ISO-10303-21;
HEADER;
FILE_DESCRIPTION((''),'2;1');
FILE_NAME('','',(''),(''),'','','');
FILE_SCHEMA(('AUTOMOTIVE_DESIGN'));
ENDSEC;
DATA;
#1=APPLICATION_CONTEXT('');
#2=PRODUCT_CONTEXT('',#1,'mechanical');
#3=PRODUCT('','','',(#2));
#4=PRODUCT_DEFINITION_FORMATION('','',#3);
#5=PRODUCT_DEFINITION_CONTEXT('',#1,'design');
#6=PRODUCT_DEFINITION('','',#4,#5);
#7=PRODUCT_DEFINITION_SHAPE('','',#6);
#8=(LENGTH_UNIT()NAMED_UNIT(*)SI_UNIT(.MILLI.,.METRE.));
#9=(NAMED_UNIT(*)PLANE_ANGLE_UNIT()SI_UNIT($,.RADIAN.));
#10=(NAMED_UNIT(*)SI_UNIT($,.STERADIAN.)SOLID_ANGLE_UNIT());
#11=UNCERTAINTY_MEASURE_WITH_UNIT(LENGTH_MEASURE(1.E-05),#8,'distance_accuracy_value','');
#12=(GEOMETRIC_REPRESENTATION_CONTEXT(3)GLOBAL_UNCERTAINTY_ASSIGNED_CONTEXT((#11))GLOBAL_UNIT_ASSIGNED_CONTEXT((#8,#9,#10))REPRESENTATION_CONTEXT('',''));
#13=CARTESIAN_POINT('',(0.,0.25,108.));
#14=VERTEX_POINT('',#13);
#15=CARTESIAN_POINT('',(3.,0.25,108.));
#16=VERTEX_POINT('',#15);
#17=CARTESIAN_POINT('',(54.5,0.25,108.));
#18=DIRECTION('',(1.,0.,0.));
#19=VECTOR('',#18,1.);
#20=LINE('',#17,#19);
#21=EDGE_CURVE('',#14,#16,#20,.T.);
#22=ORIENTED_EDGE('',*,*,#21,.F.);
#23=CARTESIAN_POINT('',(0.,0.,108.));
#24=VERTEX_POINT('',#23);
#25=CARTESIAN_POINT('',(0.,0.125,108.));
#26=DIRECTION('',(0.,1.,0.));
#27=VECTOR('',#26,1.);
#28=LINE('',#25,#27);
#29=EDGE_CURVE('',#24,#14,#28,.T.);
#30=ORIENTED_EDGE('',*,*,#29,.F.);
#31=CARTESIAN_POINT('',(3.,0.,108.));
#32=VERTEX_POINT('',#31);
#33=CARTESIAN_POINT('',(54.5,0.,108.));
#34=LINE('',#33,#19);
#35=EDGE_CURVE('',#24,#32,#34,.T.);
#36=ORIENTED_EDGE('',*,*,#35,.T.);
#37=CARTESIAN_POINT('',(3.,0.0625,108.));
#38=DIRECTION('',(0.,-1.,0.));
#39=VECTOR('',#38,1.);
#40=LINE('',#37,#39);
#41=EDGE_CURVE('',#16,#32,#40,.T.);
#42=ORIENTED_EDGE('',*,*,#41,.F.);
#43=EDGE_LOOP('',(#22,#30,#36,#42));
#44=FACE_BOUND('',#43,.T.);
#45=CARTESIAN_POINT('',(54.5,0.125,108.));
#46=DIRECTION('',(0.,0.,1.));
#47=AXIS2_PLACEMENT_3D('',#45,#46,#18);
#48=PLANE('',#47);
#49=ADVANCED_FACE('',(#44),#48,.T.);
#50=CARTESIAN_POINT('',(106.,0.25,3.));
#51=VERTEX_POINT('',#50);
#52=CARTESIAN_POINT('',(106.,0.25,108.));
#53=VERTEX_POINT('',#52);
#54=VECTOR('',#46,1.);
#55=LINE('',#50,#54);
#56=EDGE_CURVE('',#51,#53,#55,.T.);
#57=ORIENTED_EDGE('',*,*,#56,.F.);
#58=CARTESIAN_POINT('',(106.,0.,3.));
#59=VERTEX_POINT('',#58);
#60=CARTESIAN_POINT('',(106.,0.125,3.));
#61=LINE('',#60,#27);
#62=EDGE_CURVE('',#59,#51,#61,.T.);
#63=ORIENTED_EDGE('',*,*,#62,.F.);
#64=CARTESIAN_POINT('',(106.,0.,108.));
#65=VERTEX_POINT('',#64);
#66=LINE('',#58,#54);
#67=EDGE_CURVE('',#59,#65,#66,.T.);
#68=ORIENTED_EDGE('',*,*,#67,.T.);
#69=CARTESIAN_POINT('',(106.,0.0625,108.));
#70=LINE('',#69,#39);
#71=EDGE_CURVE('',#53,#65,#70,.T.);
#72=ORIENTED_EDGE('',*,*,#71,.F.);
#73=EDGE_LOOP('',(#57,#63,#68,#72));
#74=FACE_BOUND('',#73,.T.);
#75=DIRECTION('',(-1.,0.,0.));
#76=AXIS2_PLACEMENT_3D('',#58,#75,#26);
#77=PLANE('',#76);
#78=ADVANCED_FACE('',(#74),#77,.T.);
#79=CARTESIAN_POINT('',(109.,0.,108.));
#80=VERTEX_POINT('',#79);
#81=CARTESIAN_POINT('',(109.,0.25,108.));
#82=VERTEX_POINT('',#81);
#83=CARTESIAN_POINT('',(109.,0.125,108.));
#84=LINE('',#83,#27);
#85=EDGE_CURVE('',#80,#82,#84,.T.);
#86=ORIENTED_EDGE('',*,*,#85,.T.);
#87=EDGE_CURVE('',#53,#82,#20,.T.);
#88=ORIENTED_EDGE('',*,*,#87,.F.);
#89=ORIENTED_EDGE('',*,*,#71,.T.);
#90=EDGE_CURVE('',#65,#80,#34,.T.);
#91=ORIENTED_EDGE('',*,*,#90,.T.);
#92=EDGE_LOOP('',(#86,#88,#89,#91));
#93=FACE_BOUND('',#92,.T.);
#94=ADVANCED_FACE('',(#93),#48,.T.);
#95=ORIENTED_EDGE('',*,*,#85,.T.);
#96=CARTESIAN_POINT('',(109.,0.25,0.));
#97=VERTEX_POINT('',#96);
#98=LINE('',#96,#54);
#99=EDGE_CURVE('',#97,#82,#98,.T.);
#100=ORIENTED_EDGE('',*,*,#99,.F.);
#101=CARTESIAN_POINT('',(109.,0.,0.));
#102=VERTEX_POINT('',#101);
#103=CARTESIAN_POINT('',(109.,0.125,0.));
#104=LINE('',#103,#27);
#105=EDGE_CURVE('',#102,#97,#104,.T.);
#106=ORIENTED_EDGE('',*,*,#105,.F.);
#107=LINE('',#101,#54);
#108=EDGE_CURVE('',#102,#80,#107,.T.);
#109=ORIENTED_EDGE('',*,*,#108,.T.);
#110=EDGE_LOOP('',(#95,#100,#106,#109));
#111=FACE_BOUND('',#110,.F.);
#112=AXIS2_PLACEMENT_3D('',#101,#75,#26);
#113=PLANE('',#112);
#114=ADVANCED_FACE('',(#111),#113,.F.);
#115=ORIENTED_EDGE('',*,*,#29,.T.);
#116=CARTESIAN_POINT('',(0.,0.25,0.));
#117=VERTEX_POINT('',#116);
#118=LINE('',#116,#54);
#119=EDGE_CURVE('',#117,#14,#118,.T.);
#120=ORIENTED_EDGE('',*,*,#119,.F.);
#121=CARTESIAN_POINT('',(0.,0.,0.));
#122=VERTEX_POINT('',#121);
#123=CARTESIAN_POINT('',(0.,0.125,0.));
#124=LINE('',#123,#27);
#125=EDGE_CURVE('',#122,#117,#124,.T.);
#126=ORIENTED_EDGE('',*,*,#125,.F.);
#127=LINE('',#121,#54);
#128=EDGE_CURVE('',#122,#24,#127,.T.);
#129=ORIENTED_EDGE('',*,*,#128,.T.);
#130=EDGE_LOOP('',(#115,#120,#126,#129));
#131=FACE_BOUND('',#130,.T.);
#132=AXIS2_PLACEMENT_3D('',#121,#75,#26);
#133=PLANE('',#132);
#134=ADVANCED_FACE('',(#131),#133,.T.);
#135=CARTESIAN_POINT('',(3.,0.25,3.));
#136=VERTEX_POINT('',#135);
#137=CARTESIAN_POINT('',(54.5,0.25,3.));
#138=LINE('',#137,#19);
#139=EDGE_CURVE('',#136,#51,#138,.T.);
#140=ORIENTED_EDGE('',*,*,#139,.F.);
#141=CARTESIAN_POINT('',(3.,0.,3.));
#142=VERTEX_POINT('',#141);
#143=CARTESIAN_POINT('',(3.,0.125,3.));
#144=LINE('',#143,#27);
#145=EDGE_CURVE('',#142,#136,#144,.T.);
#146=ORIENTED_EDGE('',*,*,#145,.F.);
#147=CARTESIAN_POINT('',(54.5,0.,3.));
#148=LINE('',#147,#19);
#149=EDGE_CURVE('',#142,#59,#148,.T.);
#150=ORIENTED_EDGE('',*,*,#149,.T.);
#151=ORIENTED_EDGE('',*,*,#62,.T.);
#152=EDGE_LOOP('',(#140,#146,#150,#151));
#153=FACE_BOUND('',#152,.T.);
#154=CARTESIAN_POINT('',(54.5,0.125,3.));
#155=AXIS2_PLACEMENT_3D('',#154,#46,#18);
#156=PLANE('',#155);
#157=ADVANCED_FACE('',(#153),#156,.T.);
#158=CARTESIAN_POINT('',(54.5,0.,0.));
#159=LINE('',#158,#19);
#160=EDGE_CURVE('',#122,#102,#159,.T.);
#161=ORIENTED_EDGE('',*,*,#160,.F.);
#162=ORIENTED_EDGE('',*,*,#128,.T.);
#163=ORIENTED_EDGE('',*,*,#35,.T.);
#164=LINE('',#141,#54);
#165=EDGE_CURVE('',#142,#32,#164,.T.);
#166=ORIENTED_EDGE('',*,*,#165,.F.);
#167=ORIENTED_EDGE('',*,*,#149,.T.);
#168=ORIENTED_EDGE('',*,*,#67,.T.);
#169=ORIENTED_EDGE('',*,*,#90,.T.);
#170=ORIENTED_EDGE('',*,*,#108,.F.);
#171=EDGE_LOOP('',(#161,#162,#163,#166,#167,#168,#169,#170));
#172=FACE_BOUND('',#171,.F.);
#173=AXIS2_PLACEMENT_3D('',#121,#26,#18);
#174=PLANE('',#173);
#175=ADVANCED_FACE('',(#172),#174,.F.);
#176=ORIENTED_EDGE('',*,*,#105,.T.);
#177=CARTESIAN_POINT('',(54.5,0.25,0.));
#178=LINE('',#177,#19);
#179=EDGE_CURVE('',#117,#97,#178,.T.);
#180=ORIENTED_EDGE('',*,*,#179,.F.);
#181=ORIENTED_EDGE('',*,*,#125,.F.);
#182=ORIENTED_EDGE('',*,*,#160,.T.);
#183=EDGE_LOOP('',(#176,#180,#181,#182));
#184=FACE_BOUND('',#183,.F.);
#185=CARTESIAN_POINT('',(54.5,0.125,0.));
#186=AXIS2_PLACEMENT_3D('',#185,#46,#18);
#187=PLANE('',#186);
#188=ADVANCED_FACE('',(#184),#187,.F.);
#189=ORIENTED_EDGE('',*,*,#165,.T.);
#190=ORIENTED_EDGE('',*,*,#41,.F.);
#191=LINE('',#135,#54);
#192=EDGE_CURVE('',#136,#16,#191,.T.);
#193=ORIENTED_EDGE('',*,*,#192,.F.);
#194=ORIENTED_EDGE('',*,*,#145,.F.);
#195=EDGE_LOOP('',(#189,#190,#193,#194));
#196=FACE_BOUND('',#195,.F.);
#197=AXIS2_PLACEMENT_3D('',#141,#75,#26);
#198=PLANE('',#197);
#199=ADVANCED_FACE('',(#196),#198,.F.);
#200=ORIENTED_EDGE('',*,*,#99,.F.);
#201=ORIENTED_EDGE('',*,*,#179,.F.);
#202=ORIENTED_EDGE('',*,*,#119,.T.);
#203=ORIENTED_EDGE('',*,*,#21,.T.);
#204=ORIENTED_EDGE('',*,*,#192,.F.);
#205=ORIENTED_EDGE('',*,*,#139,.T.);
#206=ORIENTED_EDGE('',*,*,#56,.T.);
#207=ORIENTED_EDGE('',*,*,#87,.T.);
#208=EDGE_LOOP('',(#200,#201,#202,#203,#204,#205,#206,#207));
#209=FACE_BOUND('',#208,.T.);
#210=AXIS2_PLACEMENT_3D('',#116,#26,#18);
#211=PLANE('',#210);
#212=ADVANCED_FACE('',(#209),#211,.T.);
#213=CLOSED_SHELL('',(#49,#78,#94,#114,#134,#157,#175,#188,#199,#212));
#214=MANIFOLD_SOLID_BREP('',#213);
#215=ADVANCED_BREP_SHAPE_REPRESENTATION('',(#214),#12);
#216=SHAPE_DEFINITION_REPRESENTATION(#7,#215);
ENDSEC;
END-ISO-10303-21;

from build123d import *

# Parameters (mm, degrees)
BOX010_W     = 103
BOX010_H     = 0.25
BOX010_DEPTH = 106
BOX009_W     = 109
BOX009_H     = 0.25
BOX009_DEPTH = 108


with BuildPart() as w_rfel001:
    # Box010 → Box010 (new body)
    with BuildSketch(Plane(origin=(3, 0, 3), x_dir=(1, 0, 0), z_dir=(0, 0, 1))):
        with Locations((51.5, 0.125)):
            Rectangle(BOX010_W, BOX010_H)
    extrude(amount=BOX010_DEPTH)


with BuildPart() as cut003:
    # Box009 → Box009 (new body)
    with BuildSketch(Plane.XY):
        with Locations((54.5, 0.125)):
            Rectangle(BOX009_W, BOX009_H)
    extrude(amount=BOX009_DEPTH)

    # Cut003: cut Würfel001
    add(w_rfel001.part, mode=Mode.SUBTRACT)


solid = cut003.part
